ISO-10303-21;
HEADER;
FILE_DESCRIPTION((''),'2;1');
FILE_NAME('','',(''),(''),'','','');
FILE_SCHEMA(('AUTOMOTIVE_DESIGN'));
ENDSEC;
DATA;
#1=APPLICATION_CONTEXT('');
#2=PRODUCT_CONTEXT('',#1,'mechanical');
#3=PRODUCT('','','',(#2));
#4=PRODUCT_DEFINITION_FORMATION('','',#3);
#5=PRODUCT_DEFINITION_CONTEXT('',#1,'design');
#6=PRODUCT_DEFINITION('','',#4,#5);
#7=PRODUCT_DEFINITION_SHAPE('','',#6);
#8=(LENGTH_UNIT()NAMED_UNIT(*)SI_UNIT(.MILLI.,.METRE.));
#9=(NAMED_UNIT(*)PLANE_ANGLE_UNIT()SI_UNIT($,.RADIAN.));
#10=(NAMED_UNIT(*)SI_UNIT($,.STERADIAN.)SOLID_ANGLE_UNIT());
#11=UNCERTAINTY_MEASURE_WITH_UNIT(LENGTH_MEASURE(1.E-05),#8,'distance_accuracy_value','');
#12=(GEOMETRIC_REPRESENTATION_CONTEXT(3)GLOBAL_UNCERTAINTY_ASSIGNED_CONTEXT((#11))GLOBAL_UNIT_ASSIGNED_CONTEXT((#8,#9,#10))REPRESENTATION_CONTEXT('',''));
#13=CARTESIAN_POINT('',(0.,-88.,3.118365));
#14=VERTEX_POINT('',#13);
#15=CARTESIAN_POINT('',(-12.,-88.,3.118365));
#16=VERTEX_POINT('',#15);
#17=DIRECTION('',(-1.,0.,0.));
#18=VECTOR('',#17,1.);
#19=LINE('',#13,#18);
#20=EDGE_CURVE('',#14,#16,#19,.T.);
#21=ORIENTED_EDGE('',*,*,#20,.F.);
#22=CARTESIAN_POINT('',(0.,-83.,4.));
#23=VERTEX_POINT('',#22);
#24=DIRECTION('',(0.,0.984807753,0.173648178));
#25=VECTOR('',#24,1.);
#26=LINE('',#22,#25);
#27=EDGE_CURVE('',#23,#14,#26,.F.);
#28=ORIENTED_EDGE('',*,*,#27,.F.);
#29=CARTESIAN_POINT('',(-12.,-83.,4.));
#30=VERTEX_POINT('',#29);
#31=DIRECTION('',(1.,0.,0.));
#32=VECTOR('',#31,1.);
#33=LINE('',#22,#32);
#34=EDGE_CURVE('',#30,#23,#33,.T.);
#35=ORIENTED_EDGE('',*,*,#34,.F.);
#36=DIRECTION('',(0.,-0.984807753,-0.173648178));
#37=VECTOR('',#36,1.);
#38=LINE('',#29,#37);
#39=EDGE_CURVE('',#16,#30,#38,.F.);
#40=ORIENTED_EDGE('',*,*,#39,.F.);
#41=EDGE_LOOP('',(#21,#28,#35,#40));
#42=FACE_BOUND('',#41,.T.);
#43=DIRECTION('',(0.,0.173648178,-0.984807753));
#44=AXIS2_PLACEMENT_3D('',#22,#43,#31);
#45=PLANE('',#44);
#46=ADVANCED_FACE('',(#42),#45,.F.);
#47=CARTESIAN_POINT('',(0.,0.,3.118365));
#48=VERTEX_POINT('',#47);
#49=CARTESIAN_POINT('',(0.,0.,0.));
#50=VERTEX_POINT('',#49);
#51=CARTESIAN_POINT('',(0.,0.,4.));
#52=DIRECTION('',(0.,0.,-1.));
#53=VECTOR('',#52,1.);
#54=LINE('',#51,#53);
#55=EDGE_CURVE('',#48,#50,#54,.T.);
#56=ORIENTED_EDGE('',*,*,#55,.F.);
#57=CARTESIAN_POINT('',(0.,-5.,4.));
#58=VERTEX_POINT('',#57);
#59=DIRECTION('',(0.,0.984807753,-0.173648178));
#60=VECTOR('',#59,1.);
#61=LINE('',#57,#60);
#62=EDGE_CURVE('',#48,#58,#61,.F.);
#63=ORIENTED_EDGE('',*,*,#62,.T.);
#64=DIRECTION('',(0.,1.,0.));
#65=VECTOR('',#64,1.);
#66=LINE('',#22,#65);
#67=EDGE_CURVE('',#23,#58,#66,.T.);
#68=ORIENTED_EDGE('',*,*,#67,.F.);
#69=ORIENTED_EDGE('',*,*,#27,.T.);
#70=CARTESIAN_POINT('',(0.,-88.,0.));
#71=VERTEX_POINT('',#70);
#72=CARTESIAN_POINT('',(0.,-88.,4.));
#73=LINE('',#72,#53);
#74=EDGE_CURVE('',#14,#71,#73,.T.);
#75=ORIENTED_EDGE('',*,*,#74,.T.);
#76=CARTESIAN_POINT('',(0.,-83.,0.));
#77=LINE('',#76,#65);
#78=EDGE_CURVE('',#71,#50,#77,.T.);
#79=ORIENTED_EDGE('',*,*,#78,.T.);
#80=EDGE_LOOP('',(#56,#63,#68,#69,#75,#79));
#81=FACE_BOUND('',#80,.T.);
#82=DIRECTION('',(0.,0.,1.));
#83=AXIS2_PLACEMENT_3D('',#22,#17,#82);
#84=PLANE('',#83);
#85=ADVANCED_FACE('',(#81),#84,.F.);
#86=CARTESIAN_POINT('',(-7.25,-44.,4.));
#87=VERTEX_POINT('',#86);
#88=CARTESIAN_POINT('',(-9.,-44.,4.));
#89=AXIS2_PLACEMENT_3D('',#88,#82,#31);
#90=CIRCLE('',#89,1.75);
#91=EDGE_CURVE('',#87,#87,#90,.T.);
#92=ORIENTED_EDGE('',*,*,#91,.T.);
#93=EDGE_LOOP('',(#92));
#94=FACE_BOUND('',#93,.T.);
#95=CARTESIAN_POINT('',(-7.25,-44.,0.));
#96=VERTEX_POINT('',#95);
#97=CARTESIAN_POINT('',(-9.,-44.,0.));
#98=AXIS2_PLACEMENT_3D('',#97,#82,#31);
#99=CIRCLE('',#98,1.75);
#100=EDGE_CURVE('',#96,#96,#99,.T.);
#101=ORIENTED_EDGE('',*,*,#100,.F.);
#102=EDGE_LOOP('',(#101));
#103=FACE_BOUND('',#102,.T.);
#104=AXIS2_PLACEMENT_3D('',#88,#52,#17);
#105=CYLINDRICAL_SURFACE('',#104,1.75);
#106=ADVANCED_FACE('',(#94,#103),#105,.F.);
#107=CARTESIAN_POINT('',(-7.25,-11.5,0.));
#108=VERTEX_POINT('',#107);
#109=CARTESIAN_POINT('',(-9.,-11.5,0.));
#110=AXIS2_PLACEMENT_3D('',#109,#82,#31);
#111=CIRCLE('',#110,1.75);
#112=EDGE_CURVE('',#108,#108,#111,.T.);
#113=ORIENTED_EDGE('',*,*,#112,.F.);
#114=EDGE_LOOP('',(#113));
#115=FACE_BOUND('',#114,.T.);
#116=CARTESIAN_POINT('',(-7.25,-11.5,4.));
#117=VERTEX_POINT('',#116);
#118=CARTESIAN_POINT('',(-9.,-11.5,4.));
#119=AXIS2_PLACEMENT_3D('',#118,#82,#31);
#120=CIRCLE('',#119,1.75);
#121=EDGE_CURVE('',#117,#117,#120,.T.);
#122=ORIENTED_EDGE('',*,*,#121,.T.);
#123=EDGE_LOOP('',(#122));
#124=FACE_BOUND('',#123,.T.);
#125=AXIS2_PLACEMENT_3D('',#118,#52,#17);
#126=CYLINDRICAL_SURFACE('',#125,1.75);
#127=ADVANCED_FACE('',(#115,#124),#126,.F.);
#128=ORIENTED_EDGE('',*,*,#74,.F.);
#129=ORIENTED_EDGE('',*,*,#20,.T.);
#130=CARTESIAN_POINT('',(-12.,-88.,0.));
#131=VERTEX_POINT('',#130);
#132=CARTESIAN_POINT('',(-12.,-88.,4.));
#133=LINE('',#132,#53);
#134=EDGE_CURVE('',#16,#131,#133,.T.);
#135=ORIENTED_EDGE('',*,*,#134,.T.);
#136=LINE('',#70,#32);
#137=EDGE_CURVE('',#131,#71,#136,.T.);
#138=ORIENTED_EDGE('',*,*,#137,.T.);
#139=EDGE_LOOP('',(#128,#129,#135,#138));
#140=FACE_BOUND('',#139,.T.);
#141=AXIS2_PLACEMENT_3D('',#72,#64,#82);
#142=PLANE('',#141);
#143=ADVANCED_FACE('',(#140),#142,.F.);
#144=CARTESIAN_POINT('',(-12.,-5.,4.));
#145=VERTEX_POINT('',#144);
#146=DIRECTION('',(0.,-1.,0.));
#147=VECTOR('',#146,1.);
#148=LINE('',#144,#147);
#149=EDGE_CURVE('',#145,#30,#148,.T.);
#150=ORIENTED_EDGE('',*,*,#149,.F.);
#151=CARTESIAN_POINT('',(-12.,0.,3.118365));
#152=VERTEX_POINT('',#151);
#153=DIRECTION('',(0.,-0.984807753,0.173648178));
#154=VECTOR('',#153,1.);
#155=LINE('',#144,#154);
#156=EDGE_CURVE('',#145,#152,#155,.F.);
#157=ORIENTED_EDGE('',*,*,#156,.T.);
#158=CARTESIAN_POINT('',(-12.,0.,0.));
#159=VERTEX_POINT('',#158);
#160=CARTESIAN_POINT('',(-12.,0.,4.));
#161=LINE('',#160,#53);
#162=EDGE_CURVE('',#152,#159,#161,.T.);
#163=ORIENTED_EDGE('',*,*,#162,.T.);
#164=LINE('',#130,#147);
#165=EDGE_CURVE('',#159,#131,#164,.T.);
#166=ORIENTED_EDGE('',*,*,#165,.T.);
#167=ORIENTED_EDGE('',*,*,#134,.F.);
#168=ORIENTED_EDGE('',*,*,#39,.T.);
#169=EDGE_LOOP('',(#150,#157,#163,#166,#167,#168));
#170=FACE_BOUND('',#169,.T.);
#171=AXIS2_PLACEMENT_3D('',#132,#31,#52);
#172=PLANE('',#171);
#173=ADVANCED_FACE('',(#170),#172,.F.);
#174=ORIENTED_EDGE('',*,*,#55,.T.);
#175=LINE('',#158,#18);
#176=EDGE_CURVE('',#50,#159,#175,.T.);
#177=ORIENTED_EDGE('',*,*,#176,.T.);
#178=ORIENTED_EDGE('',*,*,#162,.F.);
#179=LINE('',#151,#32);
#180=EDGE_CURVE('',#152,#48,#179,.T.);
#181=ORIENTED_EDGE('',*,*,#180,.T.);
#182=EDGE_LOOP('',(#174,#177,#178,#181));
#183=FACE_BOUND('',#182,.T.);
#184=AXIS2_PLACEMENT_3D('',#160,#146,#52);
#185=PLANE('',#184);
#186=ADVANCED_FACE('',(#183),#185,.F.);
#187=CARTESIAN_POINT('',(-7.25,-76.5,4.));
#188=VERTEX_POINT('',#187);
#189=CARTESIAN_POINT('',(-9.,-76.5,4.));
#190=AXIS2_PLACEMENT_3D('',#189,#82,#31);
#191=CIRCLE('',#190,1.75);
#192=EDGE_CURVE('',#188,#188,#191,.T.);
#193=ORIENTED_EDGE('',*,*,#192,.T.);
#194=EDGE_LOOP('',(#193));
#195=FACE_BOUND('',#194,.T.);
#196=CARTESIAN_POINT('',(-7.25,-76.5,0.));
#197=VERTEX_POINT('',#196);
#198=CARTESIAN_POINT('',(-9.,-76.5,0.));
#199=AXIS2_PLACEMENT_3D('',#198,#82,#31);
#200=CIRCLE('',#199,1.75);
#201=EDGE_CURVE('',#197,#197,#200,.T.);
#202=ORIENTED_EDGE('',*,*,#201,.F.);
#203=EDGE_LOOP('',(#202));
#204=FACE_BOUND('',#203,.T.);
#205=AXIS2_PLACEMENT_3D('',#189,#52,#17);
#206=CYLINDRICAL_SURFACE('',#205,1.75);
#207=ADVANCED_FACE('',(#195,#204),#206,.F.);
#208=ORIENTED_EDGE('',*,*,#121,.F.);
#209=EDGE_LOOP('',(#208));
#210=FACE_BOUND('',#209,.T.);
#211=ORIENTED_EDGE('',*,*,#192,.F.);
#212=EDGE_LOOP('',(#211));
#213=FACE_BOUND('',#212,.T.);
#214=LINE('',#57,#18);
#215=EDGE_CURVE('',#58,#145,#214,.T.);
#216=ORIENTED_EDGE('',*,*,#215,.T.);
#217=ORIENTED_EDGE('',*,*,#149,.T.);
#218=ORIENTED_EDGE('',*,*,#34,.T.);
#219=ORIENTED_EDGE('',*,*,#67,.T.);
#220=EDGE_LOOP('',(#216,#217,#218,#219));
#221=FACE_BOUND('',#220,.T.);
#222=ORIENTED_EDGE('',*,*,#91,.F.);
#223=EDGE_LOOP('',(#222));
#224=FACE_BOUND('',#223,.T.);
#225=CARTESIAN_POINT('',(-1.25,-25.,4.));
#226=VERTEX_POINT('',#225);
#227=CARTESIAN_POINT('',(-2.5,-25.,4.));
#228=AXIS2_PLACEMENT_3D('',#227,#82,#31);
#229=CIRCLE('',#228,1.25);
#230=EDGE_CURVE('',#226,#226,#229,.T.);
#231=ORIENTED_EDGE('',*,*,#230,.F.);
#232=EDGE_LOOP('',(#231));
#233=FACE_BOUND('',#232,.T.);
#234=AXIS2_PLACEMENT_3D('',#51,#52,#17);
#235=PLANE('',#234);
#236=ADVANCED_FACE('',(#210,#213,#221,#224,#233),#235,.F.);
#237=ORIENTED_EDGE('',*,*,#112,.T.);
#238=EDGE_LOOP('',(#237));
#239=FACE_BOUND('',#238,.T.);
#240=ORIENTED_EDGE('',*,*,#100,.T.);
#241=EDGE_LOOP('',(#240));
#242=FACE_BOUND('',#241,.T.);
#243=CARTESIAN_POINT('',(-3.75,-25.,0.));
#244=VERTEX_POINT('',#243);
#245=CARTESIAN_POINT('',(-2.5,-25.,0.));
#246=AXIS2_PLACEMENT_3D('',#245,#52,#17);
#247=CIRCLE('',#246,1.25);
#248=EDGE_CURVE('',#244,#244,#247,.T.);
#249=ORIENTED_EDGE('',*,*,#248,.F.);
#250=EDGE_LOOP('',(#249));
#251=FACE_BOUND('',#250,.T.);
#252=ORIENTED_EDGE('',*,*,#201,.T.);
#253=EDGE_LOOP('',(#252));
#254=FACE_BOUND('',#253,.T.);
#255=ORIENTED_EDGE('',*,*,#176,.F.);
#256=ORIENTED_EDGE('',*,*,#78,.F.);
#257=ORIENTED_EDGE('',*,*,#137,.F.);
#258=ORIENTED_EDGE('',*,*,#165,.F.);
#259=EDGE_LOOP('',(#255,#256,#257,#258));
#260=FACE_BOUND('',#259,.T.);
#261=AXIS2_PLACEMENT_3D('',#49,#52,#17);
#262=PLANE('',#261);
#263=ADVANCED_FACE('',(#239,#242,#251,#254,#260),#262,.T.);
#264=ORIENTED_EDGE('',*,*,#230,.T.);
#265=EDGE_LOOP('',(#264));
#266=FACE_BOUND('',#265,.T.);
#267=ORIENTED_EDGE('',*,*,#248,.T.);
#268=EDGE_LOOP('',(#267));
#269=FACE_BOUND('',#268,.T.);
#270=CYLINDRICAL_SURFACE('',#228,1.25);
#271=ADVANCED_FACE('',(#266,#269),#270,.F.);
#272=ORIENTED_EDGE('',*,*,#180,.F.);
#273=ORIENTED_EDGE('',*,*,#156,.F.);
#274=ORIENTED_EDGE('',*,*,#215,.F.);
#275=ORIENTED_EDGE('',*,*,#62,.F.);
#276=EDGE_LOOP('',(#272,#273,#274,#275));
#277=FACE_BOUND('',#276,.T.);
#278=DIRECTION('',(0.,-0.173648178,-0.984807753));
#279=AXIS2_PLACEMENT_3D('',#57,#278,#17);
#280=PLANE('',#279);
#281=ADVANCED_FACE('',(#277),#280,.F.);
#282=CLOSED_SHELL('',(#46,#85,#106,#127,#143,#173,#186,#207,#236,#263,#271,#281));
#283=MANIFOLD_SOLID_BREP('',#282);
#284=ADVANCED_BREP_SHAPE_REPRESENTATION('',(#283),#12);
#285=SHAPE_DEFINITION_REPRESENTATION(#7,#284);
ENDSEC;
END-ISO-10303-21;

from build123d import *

# Parameters (mm, degrees)
SKETCH_1_R             = 1.75
EXTRUDE_1_DEPTH        = 4
HOLE_WIZARD_M3_1_D     = 2.5
HOLE_WIZARD_M3_1_DEPTH = 9.5
HOLE_WIZARD_M3_1_TIP   = 0.751075774
CHAMFER_1_SIZE         = 5
CHAMFER_1_SIZE2        = 0.881634904
CHAMFER_2_SIZE         = 5
CHAMFER_2_SIZE2        = 0.881634904


with BuildPart() as part:
    # 草图1 → 凸台-拉伸1 (new body)
    with BuildSketch(Plane.XY):
        Polygon((-12, 0), (0, 0), (0, -5), (0, -83), (0, -88), (-12, -88), (-12, -83), (-12, -5), align=None)
        with Locations((-9, -76.5)):
            Circle(SKETCH_1_R, mode=Mode.SUBTRACT)
        with Locations((-9, -44)):
            Circle(SKETCH_1_R, mode=Mode.SUBTRACT)
        with Locations((-9, -11.5)):
            Circle(SKETCH_1_R, mode=Mode.SUBTRACT)
    extrude(amount=EXTRUDE_1_DEPTH)

    # M3 螺纹孔1
    with Locations(Plane.XY.offset(4)):
        with Locations((-2.5, -25)):
            Hole(HOLE_WIZARD_M3_1_D / 2, depth=HOLE_WIZARD_M3_1_DEPTH)
            with Locations((0, 0, -(HOLE_WIZARD_M3_1_DEPTH + HOLE_WIZARD_M3_1_TIP / 2))):  # 118° drill point
                Cone(0, HOLE_WIZARD_M3_1_D / 2, HOLE_WIZARD_M3_1_TIP, mode=Mode.SUBTRACT)

    # 倒角1
    chamfer_1_edges = [part.edges().sort_by_distance(p)[0] for p in [
        (-6, -88, 4),
    ]]
    chamfer_1_side = [part.faces().sort_by_distance(p)[0] for p in [
        (-5.932099717, -44.091238005, 4),
    ]]
    chamfer(chamfer_1_edges, length=CHAMFER_1_SIZE, length2=CHAMFER_1_SIZE2, reference=chamfer_1_side[0])

    # 倒角2
    chamfer_2_edges = [part.edges().sort_by_distance(p)[0] for p in [
        (-6, 0, 4),
    ]]
    chamfer_2_side = [part.faces().sort_by_distance(p)[0] for p in [
        (-5.927865775, -41.509182575, 4),
    ]]
    chamfer(chamfer_2_edges, length=CHAMFER_2_SIZE, length2=CHAMFER_2_SIZE2, reference=chamfer_2_side[0])


solid = part.part
